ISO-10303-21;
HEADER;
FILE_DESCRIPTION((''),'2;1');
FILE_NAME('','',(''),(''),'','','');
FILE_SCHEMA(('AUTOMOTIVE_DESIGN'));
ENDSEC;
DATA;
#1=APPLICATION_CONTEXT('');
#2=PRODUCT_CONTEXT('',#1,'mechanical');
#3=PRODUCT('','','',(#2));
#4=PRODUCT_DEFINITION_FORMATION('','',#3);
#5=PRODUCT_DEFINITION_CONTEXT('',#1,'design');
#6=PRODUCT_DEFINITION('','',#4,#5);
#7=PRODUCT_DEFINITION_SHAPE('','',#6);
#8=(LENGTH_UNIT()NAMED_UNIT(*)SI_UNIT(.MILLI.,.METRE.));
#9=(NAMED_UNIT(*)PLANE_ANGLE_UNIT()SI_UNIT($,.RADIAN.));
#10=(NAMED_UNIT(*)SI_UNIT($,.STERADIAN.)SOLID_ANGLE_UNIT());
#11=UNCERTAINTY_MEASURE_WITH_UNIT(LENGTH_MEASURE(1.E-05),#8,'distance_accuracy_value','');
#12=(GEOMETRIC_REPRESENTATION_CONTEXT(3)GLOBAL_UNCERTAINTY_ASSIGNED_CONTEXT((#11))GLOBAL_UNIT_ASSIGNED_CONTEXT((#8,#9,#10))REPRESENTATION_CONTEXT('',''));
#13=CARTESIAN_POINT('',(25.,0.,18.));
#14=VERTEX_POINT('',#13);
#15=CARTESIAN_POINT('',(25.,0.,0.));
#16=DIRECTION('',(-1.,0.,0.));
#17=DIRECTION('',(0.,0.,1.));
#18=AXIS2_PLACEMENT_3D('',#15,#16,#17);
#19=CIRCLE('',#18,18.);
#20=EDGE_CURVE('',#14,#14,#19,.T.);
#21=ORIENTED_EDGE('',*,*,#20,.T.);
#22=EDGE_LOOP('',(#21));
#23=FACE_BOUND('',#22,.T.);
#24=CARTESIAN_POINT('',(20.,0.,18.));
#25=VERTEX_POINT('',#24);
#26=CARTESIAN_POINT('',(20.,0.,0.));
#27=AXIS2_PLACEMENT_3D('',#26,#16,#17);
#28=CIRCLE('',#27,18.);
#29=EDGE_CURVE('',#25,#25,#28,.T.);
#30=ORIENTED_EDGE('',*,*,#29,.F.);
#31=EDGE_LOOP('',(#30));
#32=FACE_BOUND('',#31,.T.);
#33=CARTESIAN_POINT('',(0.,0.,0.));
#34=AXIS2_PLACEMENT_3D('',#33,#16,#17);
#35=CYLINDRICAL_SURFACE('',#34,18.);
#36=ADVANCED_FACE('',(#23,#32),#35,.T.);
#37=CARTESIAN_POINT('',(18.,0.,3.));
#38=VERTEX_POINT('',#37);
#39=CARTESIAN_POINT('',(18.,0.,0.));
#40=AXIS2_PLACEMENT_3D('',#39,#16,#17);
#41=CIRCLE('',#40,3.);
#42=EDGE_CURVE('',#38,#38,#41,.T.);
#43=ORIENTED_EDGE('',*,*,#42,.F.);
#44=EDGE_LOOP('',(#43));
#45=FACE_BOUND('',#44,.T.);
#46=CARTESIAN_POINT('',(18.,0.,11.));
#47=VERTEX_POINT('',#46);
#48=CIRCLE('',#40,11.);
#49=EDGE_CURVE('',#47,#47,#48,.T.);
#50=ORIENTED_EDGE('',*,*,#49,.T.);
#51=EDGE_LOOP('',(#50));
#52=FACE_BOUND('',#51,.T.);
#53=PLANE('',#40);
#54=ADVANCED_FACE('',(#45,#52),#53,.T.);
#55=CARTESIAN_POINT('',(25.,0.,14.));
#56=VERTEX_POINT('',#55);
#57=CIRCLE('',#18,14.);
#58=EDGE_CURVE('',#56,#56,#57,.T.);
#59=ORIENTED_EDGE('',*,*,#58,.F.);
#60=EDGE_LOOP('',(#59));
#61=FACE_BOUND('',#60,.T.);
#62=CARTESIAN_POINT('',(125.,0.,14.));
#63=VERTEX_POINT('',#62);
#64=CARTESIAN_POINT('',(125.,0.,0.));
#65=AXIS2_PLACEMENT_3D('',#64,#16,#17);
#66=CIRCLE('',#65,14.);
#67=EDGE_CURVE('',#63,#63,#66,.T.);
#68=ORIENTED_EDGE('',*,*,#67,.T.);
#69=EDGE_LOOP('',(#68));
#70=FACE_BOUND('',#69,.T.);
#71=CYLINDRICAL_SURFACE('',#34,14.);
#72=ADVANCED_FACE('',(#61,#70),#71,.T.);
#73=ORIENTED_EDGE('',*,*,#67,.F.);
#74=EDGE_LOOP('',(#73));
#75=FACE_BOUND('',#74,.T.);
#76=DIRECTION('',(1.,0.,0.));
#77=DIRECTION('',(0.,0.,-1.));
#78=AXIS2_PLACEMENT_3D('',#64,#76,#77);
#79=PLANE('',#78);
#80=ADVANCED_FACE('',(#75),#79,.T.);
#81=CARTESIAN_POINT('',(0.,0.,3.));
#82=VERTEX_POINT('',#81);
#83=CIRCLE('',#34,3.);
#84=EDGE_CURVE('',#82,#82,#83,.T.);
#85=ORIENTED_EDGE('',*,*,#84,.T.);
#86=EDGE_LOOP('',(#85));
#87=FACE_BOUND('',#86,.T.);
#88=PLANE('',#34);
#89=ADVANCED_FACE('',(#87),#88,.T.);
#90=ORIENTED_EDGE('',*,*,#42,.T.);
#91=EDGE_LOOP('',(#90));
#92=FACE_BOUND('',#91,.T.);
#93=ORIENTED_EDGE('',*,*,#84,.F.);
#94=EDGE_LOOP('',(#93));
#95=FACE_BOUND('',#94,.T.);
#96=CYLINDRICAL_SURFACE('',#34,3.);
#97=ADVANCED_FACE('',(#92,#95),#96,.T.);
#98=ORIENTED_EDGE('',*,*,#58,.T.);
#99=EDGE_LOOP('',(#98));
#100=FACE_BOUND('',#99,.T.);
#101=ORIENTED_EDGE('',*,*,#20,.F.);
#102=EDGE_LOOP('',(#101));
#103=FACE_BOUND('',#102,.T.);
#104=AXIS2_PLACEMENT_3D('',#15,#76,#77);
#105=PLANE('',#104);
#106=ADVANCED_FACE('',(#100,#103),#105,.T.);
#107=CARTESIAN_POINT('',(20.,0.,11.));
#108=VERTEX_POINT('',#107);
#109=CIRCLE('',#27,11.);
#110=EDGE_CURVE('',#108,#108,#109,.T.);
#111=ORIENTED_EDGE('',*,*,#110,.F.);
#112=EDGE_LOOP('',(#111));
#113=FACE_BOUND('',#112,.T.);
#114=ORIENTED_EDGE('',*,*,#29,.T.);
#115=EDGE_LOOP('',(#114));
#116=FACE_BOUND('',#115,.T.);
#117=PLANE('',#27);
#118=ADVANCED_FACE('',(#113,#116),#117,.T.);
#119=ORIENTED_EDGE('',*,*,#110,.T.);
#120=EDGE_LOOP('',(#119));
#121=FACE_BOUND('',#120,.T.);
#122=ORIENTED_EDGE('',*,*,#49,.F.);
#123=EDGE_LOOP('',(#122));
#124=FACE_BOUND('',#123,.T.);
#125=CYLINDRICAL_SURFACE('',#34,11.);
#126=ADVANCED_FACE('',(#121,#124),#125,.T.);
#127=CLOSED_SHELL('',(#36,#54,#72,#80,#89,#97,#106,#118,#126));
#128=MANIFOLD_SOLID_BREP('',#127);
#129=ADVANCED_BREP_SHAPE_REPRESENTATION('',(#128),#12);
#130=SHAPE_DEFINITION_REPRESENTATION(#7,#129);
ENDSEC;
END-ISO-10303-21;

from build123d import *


with BuildPart() as part:
    # Sketch1 → Revolve1 (revolve)
    with BuildSketch(Plane.XY):
        Polygon((0, 3), (0, 0), (125, 0), (125, 14), (25, 14), (25, 18), (20, 18), (20, 11), (18, 11), (18, 3), align=None)
    revolve(axis=Axis((0, 0, 0), (1, 0, 0)))


solid = part.part
